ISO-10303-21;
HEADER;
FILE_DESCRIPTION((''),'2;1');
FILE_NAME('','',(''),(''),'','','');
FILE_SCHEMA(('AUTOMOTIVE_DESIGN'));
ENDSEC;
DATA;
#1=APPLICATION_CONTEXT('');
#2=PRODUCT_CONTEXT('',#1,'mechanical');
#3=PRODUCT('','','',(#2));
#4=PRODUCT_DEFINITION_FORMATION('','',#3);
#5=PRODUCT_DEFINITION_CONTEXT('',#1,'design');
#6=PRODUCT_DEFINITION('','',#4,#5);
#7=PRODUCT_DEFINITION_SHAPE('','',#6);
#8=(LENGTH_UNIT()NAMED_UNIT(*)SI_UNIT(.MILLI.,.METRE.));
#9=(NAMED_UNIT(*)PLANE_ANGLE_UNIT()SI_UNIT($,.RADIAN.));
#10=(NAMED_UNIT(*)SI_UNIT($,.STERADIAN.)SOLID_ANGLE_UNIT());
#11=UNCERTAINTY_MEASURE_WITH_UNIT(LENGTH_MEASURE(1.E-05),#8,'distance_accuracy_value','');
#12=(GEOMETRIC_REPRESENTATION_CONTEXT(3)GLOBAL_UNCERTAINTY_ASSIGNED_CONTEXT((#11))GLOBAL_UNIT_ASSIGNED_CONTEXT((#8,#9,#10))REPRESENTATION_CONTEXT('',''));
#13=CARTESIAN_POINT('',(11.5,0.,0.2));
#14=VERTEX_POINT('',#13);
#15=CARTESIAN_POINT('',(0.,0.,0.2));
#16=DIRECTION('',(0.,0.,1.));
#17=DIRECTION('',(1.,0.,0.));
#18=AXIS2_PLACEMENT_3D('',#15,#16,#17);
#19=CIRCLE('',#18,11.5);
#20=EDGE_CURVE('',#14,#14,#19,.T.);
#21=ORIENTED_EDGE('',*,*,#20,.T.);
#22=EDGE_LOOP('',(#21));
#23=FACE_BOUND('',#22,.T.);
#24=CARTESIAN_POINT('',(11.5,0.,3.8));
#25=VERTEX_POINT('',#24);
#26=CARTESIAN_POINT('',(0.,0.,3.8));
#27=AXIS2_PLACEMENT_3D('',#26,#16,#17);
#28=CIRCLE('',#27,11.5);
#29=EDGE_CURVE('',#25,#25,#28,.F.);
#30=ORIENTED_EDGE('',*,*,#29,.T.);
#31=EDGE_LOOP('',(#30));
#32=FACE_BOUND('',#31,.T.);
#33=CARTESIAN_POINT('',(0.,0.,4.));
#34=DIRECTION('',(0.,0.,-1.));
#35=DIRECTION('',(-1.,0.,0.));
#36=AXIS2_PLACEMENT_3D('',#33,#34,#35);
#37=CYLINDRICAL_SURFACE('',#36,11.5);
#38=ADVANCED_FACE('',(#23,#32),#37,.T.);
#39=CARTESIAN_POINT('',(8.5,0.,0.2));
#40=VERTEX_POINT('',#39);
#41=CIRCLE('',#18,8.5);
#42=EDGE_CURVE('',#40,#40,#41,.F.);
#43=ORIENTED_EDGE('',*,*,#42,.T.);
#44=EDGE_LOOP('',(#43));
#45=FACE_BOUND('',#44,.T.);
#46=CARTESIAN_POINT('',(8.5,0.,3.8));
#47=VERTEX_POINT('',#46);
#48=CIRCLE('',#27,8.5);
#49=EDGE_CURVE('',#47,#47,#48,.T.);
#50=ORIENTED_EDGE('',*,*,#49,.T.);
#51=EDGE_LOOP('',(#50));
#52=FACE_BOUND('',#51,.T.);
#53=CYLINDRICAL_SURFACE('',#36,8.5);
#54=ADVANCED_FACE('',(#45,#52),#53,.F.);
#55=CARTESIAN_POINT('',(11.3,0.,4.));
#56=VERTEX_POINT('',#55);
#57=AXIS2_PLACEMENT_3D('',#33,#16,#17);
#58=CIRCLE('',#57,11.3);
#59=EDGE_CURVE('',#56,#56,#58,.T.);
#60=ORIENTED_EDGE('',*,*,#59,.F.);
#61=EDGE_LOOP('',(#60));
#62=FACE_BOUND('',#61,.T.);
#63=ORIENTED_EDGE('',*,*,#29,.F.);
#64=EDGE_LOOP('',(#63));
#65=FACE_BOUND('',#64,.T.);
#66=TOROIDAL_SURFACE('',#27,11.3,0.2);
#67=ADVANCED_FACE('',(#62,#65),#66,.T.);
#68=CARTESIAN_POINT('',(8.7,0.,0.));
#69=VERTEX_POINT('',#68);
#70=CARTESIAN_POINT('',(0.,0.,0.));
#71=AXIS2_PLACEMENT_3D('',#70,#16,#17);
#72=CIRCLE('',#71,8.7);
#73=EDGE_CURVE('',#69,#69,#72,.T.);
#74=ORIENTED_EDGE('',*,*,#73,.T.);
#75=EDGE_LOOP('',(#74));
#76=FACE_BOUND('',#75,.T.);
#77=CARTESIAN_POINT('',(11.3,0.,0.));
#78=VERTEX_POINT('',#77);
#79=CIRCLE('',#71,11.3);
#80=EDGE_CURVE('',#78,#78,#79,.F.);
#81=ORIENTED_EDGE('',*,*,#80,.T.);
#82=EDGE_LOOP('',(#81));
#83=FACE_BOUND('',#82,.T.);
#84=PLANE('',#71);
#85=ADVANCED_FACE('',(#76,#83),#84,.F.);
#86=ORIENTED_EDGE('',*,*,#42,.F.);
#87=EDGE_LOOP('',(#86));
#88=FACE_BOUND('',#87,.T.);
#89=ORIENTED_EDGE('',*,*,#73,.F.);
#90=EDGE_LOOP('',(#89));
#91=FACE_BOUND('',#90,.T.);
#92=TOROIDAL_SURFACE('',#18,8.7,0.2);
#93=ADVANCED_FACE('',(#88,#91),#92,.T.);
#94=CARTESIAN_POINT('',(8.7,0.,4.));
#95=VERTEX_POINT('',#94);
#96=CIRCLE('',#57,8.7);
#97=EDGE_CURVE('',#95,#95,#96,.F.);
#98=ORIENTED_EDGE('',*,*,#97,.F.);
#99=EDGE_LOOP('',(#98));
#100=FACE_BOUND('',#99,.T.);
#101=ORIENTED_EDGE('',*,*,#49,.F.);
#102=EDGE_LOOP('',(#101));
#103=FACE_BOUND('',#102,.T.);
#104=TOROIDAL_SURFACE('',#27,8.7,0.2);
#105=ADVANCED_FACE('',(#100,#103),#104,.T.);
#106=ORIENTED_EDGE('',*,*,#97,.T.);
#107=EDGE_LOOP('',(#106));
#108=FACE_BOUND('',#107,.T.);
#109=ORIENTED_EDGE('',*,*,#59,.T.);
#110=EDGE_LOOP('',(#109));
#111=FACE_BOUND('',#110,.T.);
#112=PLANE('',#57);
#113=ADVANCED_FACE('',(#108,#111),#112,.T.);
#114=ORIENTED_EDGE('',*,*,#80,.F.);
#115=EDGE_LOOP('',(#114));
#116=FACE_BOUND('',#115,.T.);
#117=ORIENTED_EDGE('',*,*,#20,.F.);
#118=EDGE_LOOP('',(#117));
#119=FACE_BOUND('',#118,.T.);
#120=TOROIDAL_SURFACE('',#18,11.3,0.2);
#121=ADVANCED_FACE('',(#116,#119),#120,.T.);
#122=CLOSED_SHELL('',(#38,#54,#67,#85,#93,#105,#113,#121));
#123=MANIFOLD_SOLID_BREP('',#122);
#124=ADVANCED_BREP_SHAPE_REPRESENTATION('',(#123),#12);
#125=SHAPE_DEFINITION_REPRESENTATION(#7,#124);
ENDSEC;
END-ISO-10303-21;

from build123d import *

# Parameters (mm, degrees)
SKETCH_1_R      = 11.5
SKETCH_1_R_2    = 8.5
EXTRUDE_1_DEPTH = 4
FILLET_1_R      = 0.2


with BuildPart() as part:
    # 草图1 → 凸台-拉伸1 (new body)
    with BuildSketch(Plane.XY):
        Circle(SKETCH_1_R)
        Circle(SKETCH_1_R_2, mode=Mode.SUBTRACT)
    extrude(amount=EXTRUDE_1_DEPTH)

    # 圆角1
    fillet_1_edges = [part.edges().sort_by_distance(p)[0] for p in [
        (-11.5, 0, 0),
        (-11.5, 0, 4),
        (-8.5, 0, 0),
        (-8.5, 0, 4),
    ]]
    fillet(fillet_1_edges, radius=FILLET_1_R)


solid = part.part
